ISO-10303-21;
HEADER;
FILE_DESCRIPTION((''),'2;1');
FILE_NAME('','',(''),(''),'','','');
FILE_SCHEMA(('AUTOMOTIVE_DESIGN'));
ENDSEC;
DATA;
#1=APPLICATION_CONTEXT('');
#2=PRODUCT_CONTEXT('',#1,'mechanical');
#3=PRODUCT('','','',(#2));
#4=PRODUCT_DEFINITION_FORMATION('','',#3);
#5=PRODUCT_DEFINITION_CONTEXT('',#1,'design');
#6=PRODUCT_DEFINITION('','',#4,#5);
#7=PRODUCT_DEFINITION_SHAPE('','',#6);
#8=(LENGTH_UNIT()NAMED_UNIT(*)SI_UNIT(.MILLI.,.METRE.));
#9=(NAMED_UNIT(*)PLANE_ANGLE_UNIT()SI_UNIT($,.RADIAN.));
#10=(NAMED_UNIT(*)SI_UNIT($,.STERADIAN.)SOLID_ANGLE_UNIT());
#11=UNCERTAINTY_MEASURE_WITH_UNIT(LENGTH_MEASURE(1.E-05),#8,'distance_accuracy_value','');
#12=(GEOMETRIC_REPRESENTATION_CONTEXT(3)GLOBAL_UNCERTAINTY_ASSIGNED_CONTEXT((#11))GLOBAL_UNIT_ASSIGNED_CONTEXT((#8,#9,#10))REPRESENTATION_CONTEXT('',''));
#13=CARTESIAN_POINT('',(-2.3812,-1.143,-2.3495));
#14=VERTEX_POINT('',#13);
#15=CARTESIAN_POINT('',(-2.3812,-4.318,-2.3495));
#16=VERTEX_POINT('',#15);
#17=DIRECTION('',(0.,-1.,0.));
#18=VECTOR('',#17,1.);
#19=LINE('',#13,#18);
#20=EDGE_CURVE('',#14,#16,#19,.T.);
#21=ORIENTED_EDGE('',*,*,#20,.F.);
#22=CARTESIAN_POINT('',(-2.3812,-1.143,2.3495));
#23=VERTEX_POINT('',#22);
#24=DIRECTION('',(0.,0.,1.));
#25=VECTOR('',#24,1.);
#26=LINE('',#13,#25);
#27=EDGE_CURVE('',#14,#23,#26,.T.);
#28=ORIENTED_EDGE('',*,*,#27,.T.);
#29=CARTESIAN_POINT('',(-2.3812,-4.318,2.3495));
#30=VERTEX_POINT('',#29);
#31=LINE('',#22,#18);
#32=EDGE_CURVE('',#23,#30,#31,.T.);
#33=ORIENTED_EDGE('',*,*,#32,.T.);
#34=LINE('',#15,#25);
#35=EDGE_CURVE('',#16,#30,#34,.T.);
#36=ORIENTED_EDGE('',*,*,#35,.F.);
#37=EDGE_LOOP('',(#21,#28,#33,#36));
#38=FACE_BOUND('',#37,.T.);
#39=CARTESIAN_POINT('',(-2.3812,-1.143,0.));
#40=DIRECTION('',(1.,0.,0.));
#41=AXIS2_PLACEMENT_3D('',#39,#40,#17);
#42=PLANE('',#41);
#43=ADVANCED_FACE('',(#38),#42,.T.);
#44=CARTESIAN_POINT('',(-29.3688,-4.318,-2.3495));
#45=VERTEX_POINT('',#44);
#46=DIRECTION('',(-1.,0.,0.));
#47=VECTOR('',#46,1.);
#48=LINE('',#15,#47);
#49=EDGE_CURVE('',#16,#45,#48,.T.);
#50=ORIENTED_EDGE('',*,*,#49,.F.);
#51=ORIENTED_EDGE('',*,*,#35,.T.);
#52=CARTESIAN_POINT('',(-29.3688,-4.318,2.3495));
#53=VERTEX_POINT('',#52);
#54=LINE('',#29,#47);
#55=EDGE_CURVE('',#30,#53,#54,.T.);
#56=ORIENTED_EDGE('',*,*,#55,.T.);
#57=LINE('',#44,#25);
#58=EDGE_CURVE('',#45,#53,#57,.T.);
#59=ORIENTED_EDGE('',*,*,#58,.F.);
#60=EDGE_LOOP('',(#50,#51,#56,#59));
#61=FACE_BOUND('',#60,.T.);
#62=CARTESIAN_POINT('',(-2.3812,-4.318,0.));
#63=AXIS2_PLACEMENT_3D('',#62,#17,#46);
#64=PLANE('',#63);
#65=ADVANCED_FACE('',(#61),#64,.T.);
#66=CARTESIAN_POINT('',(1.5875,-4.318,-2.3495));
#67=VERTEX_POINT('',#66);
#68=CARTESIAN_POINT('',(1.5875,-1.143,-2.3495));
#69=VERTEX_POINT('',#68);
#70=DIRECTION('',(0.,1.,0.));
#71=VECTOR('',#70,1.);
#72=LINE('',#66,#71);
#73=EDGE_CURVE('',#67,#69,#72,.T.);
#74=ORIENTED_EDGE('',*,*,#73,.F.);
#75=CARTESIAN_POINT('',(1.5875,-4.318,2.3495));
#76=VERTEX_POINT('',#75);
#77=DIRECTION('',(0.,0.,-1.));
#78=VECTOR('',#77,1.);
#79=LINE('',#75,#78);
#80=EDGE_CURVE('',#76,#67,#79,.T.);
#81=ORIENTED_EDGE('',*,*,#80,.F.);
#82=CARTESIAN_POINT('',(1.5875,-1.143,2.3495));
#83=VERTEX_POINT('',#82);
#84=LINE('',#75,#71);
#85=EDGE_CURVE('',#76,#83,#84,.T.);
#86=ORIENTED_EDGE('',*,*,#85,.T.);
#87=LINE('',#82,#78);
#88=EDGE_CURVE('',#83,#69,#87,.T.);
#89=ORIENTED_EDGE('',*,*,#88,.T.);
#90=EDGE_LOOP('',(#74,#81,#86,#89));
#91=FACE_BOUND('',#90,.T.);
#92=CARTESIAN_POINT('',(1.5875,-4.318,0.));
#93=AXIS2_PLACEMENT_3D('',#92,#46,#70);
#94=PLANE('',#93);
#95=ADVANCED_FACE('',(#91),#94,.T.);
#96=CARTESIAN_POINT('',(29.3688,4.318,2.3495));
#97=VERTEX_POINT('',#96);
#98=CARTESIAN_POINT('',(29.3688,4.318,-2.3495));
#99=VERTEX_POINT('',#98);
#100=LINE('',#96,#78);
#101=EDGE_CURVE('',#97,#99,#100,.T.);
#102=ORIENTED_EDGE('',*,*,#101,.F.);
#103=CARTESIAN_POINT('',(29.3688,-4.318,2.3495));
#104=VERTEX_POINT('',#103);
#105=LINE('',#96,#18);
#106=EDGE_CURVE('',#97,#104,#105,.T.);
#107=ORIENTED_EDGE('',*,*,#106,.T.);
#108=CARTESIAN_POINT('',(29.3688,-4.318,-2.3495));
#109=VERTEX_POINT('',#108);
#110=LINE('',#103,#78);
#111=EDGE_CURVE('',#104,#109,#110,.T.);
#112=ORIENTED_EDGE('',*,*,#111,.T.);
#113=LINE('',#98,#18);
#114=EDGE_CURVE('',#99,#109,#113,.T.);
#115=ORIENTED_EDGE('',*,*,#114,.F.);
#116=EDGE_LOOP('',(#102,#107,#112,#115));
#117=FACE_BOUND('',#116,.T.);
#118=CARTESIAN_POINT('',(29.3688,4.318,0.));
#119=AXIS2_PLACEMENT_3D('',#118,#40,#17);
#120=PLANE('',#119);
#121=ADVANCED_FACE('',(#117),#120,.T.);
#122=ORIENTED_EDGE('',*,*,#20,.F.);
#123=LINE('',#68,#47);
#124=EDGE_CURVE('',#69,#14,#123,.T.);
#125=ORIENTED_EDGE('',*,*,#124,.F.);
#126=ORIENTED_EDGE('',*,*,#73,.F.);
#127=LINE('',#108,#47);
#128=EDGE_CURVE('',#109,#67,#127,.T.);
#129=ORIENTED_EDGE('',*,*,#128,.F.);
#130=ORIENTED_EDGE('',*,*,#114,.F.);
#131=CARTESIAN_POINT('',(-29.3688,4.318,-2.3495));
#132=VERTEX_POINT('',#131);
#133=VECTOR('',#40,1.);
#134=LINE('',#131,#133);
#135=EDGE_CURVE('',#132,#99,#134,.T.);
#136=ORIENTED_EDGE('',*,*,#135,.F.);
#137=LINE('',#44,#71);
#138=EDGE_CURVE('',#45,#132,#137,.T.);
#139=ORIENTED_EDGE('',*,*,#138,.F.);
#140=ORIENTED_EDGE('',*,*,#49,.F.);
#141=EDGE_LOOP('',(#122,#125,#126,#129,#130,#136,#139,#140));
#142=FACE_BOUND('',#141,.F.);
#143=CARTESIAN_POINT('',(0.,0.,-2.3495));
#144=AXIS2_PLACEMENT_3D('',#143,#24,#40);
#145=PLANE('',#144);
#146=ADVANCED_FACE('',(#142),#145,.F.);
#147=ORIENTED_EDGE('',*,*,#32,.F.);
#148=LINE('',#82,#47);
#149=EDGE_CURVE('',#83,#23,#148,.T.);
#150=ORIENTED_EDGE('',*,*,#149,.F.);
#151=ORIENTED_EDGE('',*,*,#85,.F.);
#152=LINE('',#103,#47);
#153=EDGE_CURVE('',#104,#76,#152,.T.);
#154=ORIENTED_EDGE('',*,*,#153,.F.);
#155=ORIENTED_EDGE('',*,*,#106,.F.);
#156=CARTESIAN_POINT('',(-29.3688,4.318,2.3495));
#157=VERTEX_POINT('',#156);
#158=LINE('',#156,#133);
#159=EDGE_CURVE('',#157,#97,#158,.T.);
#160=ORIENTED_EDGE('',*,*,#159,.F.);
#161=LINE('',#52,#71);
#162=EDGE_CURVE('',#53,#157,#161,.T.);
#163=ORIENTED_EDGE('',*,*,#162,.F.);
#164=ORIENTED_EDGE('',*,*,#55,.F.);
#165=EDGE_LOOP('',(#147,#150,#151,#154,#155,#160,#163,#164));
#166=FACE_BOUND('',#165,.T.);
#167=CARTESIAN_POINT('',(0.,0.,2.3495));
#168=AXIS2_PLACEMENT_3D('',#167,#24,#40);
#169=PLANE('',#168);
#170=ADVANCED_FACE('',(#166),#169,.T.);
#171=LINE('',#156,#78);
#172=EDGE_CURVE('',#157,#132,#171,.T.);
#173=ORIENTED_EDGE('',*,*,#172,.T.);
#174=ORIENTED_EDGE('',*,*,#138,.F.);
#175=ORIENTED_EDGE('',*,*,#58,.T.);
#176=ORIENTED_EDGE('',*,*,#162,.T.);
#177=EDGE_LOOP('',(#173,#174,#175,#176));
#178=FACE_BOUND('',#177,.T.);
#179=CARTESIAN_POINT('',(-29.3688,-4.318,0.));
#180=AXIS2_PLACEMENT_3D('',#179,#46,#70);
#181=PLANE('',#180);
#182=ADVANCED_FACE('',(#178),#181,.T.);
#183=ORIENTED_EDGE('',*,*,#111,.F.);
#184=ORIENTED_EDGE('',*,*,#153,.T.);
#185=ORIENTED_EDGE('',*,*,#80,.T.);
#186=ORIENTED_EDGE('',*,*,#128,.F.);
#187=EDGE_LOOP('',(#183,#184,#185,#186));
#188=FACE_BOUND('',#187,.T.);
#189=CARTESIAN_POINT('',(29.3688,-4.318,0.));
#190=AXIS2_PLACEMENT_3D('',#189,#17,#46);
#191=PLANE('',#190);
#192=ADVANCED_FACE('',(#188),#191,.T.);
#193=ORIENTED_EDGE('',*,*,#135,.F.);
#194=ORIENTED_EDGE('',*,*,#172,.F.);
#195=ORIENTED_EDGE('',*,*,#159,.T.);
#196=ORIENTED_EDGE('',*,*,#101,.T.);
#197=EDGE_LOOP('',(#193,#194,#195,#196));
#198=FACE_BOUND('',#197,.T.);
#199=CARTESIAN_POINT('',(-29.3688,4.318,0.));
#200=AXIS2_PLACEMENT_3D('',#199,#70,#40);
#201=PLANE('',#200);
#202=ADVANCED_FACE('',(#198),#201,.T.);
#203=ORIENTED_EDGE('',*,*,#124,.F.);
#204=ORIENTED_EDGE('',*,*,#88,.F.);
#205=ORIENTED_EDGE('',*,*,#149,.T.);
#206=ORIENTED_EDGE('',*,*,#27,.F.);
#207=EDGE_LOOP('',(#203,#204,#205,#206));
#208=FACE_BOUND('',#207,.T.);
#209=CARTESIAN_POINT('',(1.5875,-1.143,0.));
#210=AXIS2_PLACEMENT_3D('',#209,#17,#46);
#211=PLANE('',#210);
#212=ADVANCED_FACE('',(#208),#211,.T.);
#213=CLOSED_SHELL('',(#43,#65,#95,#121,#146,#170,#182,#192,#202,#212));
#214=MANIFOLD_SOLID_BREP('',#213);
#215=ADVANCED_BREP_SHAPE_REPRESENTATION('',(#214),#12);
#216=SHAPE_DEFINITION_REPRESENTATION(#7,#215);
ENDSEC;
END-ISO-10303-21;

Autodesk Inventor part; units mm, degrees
ref_plane "YZ Plane" through (0, 0, 0) normal (1, 0, 0) x (0, 1, 0)
ref_plane "XZ Plane" through (0, 0, 0) normal (0, 1, 0) x (-1, 0, 0)
sketch "Sketch1" plane through (0, 0, 0) normal (0, 0, 1) x (1, 0, 0)
  line L0 (-29.3688, -4.318) -> (-29.3688, 4.318)
  line L1 (-29.3688, 4.318) -> (29.3688, 4.318)
  line L2 (29.3688, 4.318) -> (29.3688, -4.318)
  line L3 (29.3688, -4.318) -> (1.5875, -4.318)
  line L4 (1.5875, -4.318) -> (1.5875, -1.143)
  line L5 (1.5875, -1.143) -> (-2.3812, -1.143)
  line L6 (-2.3812, -1.143) -> (-2.3812, -4.318)
  line L7 (-2.3812, -4.318) -> (-29.3688, -4.318)
  point P0 (0, 0)
  point P1 (0, 4.318)
  point P2 (-29.3688, 0)
  dimension "d0" = 58.7375
  dimension "d1" = 3.9688
  dimension "d2" = 3.175
  dimension "d3" = 27.7812
  dimension "d4" = 8.636
extrude "Extrusion1" add sketch "Sketch1" along normal mid plane 4.699
ref_plane "Work Plane1" through (-0.3969, -4.318, 2.3495) normal (1, 0, 0) x (0, 0, -1)
properties part number "Slide_Key" material "Steel, High Strength Low Alloy"
